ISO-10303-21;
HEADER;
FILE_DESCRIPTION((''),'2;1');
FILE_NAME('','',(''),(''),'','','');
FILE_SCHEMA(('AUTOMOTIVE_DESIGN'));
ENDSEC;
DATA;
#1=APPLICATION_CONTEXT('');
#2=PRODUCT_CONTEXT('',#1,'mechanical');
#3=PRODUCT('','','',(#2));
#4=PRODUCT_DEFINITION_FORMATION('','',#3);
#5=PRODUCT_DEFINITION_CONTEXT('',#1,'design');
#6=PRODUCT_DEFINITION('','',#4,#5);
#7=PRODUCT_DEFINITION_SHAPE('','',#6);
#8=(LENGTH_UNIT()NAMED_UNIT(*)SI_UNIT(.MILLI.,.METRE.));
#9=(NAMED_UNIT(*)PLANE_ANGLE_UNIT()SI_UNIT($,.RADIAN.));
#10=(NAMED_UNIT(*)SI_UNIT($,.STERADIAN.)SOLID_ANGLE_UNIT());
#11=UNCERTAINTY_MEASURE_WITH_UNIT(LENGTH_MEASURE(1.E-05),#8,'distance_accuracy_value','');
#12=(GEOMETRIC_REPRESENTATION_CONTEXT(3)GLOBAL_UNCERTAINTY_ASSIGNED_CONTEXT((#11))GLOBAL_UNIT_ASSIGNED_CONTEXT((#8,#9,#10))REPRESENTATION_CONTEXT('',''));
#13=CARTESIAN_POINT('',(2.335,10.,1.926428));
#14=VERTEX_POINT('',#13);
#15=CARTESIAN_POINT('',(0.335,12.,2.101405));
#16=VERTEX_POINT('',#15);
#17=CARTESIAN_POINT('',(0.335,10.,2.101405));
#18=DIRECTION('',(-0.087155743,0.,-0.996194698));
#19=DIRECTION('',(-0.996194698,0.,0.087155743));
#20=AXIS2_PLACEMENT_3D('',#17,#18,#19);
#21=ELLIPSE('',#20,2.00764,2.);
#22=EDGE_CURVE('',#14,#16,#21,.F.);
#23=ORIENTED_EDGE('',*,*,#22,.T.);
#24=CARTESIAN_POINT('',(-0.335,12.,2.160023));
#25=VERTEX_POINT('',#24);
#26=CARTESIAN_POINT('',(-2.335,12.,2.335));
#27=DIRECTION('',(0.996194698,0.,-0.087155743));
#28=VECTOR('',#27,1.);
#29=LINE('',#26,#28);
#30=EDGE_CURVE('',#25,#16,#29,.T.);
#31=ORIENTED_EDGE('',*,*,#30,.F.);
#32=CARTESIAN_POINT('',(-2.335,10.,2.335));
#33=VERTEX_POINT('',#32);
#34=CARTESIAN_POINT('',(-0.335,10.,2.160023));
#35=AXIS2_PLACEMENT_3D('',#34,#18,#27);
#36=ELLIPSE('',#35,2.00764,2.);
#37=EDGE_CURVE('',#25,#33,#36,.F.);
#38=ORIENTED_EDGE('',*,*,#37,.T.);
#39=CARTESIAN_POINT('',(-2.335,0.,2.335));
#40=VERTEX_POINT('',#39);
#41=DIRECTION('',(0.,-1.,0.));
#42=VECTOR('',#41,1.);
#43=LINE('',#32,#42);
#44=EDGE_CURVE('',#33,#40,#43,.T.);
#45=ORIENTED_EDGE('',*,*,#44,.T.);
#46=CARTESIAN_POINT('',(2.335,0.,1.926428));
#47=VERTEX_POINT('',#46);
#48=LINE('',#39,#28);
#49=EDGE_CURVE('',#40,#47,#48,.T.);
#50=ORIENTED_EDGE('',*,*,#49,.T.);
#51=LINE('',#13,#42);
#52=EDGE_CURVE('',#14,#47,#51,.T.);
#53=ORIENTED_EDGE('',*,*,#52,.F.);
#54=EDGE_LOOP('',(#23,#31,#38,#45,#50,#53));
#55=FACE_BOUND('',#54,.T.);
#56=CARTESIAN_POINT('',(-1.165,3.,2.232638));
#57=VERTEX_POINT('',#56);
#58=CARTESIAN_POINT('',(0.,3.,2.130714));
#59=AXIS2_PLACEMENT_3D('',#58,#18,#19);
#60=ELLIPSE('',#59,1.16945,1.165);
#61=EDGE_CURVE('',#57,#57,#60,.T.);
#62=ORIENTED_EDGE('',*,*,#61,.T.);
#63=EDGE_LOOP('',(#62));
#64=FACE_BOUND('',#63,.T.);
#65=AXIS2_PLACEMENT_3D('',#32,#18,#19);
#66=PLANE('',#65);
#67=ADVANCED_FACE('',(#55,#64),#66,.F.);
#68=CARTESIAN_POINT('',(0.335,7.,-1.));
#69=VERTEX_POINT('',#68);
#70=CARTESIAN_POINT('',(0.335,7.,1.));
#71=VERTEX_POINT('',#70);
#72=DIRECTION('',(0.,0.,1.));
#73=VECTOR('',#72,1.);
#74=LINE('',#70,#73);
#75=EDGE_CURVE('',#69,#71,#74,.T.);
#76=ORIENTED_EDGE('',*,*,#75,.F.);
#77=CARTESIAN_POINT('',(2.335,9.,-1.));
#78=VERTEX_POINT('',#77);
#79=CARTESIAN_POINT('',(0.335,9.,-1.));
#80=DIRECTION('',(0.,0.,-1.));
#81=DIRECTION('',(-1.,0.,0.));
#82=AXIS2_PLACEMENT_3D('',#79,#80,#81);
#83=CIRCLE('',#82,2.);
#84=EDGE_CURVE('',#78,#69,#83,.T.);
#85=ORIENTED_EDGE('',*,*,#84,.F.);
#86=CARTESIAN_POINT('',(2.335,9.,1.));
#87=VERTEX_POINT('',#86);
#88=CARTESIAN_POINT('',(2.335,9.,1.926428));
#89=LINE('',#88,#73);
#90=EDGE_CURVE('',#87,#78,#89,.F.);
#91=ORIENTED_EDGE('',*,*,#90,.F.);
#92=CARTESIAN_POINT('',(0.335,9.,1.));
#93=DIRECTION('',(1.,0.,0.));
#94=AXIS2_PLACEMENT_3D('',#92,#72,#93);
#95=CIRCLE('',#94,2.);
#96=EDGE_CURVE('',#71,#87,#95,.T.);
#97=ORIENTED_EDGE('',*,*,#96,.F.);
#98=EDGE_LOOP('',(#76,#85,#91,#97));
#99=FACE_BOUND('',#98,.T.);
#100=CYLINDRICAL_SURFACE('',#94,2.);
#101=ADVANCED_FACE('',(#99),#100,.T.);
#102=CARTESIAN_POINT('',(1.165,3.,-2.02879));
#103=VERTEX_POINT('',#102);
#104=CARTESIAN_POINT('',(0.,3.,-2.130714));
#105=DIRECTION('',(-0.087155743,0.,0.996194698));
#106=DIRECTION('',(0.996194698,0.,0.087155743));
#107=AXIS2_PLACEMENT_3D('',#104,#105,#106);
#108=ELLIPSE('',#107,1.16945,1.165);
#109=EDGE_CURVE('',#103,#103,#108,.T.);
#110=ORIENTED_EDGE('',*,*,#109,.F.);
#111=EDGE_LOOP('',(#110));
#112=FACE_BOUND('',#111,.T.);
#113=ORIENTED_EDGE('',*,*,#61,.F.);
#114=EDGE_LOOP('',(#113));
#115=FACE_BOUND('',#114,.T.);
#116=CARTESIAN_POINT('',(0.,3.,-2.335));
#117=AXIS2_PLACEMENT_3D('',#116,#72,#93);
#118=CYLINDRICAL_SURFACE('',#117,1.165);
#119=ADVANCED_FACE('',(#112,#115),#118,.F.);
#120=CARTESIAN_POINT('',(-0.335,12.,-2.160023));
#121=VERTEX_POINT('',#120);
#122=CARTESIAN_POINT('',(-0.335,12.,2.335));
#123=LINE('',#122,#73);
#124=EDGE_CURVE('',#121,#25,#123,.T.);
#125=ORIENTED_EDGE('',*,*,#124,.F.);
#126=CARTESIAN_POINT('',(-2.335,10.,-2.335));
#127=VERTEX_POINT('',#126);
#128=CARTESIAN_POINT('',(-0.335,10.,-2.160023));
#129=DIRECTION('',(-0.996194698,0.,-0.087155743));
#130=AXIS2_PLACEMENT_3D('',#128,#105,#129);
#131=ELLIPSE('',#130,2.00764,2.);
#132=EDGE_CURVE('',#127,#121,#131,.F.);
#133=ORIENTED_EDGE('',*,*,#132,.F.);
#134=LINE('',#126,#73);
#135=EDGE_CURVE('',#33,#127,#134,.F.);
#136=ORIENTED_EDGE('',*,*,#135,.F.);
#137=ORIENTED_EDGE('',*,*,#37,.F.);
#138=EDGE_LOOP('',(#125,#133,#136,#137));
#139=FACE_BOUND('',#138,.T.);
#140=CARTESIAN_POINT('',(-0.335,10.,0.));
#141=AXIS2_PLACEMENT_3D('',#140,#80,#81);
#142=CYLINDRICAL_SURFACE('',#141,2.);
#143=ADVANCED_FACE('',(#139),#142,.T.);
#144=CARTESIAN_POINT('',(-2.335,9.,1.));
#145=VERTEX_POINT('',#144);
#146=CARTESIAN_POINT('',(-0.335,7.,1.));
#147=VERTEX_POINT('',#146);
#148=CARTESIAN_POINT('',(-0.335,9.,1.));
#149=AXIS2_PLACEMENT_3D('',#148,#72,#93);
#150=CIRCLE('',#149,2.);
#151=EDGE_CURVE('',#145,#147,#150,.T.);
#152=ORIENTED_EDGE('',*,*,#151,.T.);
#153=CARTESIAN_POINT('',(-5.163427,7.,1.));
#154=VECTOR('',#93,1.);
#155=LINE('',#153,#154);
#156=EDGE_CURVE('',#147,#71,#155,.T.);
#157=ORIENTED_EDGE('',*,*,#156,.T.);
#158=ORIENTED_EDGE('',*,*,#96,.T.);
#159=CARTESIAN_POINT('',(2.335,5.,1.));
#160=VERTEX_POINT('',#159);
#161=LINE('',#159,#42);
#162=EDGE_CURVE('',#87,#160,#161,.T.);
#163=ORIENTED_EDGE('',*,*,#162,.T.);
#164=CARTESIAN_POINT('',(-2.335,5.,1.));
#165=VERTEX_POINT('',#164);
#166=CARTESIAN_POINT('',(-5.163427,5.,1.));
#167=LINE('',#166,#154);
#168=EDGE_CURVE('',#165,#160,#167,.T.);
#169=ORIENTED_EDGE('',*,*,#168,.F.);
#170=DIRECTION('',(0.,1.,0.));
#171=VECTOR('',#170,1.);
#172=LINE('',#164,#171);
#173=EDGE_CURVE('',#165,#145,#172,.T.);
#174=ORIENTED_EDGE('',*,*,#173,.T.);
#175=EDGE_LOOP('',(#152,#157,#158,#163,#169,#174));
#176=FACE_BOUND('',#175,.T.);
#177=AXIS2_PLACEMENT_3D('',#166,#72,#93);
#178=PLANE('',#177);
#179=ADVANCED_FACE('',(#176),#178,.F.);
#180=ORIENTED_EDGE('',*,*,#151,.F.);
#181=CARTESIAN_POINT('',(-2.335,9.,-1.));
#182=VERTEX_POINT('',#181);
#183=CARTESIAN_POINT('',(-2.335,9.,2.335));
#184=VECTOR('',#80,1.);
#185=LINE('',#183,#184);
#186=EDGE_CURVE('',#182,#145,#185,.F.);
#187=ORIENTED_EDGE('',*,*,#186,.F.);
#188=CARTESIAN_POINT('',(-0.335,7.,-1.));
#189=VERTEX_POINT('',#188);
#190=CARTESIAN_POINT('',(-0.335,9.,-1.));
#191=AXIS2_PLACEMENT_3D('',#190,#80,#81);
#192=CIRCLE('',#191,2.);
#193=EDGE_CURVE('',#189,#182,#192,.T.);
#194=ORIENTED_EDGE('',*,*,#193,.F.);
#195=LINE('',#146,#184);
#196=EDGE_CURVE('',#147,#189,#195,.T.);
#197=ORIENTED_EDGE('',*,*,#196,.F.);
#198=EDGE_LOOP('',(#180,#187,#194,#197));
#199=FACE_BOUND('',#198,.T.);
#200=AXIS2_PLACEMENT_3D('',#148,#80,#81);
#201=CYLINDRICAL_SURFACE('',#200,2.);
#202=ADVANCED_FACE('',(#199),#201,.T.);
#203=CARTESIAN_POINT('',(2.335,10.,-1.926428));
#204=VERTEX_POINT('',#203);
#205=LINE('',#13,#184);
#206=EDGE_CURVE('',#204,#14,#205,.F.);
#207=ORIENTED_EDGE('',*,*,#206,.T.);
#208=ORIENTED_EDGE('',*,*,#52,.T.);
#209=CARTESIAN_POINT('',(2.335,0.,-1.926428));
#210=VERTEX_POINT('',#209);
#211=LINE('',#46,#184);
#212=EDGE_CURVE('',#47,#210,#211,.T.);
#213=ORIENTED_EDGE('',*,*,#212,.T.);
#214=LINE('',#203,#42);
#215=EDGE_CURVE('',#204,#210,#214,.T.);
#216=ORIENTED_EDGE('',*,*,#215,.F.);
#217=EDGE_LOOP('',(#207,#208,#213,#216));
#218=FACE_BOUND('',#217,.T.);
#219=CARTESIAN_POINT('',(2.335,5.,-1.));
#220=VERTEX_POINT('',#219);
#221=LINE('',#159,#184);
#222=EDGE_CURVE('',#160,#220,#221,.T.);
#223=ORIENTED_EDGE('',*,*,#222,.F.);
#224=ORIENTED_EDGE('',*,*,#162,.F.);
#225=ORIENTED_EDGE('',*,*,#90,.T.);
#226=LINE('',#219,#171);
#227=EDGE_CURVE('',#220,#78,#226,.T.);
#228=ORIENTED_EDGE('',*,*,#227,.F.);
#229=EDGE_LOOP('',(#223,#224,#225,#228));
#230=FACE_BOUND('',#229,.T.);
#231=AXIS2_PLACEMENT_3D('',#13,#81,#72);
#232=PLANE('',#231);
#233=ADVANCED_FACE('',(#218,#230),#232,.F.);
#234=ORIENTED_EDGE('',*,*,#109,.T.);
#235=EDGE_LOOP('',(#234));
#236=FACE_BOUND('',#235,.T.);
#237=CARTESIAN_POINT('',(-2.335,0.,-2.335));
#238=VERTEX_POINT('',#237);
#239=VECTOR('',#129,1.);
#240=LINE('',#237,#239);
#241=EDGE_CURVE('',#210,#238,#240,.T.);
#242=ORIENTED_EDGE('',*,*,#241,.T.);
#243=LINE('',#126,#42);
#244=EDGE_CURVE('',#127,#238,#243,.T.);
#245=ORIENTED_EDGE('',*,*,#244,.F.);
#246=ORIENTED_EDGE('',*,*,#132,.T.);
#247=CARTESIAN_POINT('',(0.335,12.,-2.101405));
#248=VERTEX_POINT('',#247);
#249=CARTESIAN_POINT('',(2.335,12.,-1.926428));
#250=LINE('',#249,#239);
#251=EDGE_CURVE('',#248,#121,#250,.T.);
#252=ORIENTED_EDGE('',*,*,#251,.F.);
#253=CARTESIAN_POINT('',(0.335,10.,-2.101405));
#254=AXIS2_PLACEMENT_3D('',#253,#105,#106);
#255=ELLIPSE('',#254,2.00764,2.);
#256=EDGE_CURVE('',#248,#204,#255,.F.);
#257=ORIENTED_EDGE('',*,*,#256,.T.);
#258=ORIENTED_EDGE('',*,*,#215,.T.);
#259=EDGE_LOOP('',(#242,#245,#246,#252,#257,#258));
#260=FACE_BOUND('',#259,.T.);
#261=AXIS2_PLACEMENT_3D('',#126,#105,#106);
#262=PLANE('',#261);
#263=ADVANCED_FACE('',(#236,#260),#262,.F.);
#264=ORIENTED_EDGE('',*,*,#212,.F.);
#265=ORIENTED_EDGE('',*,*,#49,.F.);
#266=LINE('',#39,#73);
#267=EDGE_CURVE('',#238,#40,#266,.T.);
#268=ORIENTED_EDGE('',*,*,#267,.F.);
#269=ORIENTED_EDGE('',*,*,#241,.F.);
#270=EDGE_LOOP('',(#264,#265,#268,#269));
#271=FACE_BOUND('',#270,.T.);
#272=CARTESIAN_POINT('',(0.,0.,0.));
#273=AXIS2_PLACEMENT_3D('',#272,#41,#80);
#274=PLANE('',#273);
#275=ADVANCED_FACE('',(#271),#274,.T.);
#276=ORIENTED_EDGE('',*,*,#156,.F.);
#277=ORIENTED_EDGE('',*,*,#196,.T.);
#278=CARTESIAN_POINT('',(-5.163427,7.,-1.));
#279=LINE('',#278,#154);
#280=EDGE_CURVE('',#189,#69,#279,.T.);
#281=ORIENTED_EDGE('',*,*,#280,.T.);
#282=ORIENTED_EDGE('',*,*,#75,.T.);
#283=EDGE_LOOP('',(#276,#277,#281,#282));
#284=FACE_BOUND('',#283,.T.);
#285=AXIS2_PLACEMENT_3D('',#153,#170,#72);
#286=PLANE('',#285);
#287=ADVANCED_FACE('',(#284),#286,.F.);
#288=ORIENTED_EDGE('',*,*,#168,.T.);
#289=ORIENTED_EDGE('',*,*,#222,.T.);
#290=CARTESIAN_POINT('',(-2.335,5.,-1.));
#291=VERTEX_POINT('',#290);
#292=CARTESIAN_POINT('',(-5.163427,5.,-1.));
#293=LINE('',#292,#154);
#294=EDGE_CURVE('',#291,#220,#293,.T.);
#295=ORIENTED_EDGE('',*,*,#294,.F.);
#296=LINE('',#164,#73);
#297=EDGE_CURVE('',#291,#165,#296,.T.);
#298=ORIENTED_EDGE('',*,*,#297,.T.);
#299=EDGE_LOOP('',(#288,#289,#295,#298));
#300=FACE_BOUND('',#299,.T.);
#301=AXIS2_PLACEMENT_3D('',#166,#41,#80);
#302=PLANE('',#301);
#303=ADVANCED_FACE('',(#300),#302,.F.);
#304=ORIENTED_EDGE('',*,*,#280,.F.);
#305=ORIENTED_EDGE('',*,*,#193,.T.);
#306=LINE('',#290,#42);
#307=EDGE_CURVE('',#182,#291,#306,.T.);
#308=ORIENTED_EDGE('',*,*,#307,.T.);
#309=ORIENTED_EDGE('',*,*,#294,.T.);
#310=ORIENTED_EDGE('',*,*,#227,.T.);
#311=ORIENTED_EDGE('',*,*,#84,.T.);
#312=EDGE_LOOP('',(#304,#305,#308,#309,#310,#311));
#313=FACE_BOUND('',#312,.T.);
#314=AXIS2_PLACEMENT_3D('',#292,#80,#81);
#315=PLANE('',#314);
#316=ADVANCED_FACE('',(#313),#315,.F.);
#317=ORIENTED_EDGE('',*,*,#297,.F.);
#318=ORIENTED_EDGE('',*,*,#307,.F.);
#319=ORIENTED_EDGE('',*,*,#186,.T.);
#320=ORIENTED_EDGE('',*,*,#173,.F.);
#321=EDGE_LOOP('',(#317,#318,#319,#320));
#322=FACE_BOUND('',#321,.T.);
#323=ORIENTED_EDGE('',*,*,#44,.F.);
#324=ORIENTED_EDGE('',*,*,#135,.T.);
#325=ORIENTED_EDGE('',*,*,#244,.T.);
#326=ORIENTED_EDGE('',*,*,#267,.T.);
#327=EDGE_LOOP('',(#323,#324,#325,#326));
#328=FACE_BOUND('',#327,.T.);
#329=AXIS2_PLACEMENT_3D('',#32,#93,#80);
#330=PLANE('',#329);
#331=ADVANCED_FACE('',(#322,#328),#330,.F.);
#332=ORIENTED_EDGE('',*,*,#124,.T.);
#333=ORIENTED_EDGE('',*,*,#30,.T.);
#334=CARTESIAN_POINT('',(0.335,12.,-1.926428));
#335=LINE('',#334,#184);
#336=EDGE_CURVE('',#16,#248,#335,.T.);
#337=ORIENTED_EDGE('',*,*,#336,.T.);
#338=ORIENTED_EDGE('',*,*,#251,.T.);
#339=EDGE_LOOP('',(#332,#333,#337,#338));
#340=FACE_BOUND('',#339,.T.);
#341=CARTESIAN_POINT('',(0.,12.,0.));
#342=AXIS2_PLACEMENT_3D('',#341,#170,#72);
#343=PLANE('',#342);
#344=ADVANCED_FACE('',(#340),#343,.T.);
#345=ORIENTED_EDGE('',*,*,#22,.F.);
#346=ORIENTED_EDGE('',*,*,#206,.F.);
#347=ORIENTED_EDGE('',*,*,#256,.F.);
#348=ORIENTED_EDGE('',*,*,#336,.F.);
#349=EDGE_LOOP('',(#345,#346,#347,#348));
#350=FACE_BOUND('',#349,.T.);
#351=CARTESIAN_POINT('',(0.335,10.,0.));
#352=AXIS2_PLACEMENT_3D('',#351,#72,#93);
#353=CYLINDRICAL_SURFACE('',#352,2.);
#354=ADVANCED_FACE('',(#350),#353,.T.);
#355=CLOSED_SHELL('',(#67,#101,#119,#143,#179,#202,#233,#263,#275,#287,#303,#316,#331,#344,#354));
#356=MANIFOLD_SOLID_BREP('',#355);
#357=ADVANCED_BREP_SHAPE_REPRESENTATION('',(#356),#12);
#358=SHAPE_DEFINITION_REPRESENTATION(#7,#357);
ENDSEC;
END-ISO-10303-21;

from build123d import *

# Parameters (mm, degrees)
BOSS_EXTRUDE1_DEPTH     = 10
BOSS_EXTRUDE2_DEPTH     = 2
SKETCH4_W               = 2
SKETCH4_H               = 2
CUT_EXTRUDE1_DEPTH      = 4.67
FILLET1_R               = 2
SKETCH6_R               = 1.165
CUT_EXTRUDE2_DEPTH      = 3.335
CUT_EXTRUDE2_DEPTH_BACK = 3.335


with BuildPart() as part:
    # Sketch2 → Boss-Extrude1 (new body)
    with BuildSketch(Plane(origin=(0, 0, 0), x_dir=(1, 0, 0), z_dir=(0, 1, 0))):
        Polygon((-2.335, -2.335), (-2.335, 2.335), (2.335, 1.926427941), (2.335, -1.926427941), align=None)
    extrude(amount=BOSS_EXTRUDE1_DEPTH)

    # Sketch3 → Boss-Extrude2 (add)
    with BuildSketch(Plane(origin=(0, 10, 0), x_dir=(1, 0, 0), z_dir=(0, 1, 0))):
        Polygon((2.335, -1.926427941), (2.335, 1.926427941), (-2.335, 2.335), (-2.335, -2.335), align=None)
    extrude(amount=BOSS_EXTRUDE2_DEPTH)

    # Sketch4 → Cut-Extrude1 (cut)
    with BuildSketch(Plane(origin=(2.335, 0, 0), x_dir=(0, 0, -1), z_dir=(1, 0, 0))):
        with Locations((0, 6)):
            Rectangle(SKETCH4_W, SKETCH4_H)
    extrude(amount=-CUT_EXTRUDE1_DEPTH, mode=Mode.SUBTRACT)

    # Fillet1
    fillet1_edges = [part.edges().sort_by_distance(p)[0] for p in [
        (2.335, 12, 0),
        (-2.335, 12, 0),
        (2.335, 7, 0),
        (-2.335, 7, 0),
    ]]
    fillet(fillet1_edges, radius=FILLET1_R)

    # Sketch6 → Cut-Extrude2 (cut, two sides)
    with BuildSketch(Plane.XY) as cut_extrude2_sk:
        with Locations((0, 3)):
            Circle(SKETCH6_R)
    extrude(amount=CUT_EXTRUDE2_DEPTH, mode=Mode.SUBTRACT)
    extrude(cut_extrude2_sk.sketch, amount=-CUT_EXTRUDE2_DEPTH_BACK, mode=Mode.SUBTRACT)


solid = part.part
